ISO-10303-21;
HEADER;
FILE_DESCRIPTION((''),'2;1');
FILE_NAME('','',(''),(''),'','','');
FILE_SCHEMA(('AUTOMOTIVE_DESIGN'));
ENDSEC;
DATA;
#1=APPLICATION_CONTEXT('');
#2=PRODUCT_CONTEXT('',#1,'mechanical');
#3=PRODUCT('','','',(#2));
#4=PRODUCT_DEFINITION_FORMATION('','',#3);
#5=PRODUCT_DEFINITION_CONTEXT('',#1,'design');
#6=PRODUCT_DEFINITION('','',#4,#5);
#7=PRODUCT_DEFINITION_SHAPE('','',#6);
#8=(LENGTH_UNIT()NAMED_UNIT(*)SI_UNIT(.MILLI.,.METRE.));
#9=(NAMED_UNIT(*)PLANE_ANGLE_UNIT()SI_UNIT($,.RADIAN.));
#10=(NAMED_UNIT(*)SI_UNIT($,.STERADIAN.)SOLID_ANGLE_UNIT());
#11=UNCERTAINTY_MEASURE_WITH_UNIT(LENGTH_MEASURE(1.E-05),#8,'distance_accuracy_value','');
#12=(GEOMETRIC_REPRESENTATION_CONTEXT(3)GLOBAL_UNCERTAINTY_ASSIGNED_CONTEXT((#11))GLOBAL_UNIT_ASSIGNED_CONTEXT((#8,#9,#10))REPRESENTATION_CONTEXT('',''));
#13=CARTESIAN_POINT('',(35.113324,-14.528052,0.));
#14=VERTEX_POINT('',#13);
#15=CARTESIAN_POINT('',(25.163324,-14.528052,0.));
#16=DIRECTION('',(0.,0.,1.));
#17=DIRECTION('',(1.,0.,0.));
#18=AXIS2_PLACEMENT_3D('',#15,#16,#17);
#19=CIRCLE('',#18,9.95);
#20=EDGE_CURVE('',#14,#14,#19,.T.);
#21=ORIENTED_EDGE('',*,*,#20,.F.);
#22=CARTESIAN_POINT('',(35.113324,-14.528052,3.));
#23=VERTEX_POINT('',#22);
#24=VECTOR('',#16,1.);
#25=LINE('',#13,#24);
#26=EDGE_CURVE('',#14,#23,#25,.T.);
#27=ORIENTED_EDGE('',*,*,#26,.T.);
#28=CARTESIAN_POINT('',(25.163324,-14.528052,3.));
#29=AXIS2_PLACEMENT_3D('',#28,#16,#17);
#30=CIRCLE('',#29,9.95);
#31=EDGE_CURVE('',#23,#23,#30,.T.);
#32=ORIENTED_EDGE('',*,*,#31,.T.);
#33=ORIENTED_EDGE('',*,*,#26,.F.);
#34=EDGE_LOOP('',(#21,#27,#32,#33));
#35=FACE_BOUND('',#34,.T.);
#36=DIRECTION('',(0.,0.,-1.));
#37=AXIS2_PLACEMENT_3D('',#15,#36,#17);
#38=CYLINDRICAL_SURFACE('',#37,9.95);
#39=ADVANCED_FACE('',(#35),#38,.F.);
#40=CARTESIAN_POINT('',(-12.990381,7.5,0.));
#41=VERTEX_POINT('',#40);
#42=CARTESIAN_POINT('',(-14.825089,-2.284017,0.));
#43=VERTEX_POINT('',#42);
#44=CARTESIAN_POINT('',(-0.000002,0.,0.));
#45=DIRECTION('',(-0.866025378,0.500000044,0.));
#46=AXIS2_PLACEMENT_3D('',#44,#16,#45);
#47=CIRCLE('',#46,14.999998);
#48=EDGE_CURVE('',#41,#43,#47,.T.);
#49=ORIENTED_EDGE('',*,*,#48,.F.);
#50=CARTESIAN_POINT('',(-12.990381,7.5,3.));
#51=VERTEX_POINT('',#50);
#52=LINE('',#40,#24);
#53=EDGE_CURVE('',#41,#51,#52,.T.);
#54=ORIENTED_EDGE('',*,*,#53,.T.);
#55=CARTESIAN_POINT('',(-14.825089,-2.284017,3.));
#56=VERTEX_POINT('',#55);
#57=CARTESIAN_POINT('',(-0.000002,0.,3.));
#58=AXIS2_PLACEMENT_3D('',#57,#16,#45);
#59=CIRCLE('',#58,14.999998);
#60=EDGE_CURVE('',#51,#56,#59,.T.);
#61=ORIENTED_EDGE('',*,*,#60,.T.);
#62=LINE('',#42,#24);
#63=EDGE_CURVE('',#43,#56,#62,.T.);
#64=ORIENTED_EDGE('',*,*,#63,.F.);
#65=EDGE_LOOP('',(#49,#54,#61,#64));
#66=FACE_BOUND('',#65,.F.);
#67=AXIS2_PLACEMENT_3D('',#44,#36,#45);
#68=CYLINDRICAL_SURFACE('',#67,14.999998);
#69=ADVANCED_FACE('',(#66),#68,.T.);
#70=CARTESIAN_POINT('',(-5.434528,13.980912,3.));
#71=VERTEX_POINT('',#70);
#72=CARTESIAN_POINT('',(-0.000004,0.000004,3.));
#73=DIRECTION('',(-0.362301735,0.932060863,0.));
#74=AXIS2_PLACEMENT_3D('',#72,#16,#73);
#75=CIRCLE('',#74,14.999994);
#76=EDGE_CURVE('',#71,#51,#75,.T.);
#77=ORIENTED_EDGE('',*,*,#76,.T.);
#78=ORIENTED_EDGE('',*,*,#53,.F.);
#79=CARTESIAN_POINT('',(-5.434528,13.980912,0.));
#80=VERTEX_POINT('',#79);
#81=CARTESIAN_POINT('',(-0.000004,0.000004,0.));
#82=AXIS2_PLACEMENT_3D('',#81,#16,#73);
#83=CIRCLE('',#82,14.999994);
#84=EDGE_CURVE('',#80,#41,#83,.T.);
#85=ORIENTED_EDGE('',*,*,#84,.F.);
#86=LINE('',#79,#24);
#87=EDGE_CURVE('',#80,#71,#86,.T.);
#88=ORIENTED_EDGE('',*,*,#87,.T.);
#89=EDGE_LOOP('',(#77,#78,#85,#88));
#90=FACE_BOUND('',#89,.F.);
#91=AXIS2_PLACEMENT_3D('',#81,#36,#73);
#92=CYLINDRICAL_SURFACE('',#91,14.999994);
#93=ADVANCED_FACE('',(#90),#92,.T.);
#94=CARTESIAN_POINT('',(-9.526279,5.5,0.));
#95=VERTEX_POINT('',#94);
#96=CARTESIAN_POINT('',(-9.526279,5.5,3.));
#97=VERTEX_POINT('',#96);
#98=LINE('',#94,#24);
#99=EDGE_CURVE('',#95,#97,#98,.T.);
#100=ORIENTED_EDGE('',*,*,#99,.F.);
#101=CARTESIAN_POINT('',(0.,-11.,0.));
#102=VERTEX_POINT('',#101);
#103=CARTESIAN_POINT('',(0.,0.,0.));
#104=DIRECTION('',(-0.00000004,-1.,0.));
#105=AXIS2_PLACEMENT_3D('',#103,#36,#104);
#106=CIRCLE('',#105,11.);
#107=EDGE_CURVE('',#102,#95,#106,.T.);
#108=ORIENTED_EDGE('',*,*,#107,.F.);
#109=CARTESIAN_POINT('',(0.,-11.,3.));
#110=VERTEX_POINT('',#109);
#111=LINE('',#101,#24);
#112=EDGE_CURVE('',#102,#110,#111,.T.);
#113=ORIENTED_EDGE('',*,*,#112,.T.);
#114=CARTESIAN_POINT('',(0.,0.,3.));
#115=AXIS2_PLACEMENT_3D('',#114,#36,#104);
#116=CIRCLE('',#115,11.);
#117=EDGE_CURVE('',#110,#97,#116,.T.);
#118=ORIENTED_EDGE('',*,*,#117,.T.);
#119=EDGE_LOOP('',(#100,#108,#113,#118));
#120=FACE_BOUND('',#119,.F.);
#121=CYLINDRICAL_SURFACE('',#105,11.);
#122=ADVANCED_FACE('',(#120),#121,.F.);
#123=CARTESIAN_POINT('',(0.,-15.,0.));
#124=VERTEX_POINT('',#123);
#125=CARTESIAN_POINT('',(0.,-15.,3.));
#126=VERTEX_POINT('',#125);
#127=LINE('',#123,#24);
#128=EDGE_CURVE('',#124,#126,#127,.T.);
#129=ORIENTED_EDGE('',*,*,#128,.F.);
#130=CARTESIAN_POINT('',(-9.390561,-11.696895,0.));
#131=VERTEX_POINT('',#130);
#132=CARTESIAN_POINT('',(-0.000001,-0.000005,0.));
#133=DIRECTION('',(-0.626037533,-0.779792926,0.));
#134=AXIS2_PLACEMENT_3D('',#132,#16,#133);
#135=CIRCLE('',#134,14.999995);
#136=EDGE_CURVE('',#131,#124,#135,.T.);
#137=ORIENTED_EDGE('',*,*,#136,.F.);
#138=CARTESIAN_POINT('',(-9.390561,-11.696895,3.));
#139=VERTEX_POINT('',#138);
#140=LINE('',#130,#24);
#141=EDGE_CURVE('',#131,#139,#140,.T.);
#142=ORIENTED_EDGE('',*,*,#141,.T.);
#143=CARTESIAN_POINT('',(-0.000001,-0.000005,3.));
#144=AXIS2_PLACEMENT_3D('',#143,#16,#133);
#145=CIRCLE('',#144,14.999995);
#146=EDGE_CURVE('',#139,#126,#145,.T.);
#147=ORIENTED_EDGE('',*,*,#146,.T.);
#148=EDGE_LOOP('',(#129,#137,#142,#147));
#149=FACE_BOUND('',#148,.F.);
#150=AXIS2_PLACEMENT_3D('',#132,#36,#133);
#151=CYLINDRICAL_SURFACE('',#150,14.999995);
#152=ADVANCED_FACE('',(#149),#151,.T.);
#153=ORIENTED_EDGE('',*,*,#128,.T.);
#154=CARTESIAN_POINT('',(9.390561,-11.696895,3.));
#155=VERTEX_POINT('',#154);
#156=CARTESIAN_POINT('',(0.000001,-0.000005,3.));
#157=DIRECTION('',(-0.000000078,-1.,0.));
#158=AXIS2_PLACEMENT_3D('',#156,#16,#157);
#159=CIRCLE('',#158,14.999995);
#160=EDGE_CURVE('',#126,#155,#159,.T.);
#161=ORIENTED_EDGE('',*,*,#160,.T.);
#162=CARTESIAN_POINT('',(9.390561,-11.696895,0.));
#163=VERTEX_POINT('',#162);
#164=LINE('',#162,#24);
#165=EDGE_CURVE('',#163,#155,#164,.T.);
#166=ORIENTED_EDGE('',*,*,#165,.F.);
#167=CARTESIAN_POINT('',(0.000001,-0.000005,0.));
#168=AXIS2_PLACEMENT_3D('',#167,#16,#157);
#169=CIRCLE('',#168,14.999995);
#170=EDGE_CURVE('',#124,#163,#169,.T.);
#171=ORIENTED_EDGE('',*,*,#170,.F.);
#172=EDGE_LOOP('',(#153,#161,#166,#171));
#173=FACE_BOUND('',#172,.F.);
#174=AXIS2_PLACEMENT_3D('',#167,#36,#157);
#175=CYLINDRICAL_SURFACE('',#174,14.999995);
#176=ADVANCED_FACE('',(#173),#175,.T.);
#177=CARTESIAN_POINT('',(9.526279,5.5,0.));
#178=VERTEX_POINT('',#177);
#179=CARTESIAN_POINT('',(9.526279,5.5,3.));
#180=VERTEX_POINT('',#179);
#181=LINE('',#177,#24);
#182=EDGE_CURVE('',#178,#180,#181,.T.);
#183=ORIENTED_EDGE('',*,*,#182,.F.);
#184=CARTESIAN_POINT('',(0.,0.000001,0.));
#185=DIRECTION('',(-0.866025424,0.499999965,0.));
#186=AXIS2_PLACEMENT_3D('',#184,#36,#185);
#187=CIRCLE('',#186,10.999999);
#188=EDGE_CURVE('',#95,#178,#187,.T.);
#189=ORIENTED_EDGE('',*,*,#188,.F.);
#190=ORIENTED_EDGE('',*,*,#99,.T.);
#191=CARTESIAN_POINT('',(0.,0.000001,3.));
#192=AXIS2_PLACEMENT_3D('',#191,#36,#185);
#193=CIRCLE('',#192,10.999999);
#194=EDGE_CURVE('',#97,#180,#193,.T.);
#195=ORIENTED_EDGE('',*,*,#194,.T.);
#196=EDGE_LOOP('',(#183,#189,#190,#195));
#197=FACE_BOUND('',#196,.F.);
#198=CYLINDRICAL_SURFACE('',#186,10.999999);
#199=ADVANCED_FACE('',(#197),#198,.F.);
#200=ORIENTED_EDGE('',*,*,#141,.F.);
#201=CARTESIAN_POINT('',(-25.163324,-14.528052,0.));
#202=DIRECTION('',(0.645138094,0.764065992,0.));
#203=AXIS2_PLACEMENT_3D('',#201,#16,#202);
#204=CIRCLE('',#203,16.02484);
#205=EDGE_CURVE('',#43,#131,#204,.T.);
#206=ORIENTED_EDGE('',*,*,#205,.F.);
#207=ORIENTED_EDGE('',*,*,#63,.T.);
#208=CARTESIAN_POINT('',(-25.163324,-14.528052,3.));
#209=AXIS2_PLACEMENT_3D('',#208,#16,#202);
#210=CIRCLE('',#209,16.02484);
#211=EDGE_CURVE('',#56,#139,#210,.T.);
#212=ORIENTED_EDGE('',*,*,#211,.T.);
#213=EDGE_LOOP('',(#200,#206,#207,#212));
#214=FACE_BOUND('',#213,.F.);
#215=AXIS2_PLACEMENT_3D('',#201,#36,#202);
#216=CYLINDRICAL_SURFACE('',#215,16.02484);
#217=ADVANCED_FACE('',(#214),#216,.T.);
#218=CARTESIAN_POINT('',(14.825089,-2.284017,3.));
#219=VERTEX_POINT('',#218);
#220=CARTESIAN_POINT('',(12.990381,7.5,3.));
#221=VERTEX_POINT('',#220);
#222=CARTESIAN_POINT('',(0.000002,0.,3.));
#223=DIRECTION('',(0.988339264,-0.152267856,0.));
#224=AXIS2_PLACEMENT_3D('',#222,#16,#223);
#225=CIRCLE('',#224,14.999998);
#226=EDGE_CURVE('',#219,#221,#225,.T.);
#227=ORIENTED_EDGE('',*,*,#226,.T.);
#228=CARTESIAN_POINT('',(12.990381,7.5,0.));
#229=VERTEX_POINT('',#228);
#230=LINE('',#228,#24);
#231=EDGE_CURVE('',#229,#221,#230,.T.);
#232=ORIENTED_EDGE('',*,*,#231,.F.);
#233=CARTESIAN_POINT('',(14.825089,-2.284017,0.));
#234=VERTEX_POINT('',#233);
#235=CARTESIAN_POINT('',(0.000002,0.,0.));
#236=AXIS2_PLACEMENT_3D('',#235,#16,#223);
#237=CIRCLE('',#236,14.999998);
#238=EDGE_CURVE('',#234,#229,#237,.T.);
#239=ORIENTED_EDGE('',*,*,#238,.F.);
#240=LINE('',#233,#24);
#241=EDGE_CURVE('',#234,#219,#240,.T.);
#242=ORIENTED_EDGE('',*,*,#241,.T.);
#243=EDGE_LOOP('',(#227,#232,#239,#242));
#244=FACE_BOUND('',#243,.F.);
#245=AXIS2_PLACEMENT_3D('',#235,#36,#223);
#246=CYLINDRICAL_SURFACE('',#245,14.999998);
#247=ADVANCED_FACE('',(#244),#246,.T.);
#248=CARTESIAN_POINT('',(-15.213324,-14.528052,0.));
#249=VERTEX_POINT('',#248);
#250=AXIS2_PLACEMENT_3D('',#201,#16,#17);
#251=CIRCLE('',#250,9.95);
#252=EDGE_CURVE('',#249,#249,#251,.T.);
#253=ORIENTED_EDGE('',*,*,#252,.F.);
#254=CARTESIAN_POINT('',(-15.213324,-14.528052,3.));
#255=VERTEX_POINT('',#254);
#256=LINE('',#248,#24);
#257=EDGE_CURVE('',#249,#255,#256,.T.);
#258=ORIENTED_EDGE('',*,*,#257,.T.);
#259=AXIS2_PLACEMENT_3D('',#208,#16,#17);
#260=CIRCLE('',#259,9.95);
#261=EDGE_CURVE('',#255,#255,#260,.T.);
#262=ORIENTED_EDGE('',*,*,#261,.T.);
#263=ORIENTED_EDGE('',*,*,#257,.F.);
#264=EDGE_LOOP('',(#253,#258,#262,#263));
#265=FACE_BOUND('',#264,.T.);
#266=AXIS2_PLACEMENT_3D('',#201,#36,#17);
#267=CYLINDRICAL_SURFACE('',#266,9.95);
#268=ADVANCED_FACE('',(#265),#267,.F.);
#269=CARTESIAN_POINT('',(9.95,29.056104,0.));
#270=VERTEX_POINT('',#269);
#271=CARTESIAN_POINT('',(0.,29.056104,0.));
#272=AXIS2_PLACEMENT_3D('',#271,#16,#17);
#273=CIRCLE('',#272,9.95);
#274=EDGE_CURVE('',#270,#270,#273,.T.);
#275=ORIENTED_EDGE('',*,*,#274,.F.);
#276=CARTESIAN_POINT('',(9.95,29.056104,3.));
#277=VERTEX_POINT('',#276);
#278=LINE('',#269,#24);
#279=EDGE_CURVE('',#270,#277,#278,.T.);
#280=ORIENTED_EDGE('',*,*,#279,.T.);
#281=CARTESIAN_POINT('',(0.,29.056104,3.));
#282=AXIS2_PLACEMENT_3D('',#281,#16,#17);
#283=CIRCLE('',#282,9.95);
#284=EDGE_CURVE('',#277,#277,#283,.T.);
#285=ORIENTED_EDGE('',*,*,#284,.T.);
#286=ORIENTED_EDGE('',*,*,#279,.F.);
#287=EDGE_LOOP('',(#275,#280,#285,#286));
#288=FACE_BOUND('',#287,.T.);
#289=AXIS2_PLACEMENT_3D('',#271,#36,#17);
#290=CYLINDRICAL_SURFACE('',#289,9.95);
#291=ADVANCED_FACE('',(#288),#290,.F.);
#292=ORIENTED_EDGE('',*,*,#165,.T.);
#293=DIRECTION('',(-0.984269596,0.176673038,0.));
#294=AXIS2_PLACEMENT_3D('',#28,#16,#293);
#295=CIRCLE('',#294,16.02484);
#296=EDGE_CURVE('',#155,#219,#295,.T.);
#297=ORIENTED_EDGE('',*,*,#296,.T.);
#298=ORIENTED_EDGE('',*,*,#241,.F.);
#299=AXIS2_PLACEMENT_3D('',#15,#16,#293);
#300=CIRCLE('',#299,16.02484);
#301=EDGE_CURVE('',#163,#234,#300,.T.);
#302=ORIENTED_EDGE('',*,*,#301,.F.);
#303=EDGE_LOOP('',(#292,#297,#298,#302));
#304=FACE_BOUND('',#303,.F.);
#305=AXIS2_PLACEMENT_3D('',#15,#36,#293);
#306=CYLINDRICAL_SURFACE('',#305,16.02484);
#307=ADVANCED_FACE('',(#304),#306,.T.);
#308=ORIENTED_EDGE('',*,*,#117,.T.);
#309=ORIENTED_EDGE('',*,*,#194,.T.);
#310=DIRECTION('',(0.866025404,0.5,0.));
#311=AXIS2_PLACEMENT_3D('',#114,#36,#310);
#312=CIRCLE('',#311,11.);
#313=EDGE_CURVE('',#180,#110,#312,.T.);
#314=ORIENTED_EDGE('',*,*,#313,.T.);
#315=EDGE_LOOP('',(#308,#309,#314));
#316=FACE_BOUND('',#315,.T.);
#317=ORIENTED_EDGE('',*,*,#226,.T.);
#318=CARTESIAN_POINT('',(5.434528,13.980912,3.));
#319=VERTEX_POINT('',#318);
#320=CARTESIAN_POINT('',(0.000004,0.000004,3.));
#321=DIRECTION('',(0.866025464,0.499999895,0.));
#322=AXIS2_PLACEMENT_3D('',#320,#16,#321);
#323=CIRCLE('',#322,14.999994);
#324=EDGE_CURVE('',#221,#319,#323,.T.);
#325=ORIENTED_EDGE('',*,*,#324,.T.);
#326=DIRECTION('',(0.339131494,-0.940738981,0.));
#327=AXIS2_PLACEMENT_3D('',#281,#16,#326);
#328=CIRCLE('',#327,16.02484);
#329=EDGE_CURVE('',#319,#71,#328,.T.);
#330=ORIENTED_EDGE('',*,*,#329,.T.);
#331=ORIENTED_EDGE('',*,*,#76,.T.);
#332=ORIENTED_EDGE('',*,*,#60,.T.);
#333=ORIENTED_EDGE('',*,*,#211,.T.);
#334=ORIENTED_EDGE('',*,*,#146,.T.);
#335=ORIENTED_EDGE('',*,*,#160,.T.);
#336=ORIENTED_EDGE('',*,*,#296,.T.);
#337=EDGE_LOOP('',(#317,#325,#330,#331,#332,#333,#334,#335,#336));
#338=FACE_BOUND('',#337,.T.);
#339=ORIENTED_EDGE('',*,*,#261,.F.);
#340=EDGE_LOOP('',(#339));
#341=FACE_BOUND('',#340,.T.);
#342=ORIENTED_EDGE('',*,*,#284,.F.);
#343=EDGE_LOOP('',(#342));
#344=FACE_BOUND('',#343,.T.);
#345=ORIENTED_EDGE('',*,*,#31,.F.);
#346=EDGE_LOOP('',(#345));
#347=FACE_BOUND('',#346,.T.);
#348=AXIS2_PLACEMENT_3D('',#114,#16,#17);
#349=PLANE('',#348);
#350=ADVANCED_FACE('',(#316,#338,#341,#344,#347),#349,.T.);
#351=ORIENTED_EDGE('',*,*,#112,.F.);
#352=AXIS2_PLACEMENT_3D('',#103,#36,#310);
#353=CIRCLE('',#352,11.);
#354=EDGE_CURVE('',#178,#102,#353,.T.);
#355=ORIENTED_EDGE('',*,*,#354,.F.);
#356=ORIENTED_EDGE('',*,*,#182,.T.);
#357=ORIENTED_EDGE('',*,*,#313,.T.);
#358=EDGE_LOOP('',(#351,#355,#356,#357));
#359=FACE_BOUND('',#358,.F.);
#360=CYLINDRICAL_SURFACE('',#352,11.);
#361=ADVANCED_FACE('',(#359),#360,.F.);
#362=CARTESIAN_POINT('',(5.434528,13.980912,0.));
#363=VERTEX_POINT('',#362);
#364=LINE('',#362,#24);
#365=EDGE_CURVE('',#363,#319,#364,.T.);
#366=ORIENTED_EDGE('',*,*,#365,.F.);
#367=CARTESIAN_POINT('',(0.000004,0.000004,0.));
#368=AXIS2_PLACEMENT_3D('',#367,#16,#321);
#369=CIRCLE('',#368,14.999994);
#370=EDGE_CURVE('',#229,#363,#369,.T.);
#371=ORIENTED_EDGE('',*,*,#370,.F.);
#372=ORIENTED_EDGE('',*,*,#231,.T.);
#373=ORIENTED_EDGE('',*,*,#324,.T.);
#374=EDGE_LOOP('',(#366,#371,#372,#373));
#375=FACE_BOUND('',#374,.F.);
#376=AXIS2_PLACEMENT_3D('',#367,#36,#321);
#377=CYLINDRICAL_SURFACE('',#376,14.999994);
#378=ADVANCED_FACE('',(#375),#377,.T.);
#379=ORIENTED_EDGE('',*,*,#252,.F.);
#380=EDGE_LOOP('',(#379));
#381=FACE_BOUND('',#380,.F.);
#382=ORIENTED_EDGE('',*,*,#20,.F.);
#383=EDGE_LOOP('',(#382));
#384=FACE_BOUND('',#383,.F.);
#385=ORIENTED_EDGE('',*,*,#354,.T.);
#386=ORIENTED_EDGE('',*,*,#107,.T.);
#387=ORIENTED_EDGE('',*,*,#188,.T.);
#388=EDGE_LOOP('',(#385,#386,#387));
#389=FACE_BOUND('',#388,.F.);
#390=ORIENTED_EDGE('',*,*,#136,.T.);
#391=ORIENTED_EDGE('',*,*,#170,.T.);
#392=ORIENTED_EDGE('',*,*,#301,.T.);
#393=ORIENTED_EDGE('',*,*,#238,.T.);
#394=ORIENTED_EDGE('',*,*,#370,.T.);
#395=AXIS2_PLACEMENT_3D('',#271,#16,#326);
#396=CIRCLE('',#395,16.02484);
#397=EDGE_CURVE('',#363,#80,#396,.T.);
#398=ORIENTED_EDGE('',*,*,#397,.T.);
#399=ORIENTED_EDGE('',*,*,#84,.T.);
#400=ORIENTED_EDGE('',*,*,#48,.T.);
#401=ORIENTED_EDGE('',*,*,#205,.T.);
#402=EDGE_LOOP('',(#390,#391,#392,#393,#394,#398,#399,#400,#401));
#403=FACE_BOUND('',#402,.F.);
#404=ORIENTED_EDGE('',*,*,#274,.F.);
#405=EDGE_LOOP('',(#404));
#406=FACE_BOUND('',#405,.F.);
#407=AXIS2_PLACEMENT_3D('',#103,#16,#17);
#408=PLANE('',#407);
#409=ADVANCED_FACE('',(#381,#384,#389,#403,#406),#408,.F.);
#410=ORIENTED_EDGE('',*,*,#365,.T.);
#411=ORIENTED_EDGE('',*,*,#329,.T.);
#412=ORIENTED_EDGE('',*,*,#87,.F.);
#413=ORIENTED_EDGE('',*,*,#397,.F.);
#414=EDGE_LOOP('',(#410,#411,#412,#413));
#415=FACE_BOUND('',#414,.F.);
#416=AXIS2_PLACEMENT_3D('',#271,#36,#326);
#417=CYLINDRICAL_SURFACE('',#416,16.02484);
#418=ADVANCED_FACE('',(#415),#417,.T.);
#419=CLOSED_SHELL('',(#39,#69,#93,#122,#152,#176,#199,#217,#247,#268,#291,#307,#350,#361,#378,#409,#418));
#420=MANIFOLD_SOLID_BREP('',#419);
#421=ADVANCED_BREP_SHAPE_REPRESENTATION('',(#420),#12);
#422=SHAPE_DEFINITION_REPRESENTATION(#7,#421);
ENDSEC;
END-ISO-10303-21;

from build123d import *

# Parameters (mm, degrees)
F0_R     = 9.95
F1_DEPTH = 3


with BuildPart() as f1:
    # F0 (on Top) → F1 (new body)
    with BuildSketch(Plane.XY):
        with BuildLine():
            ThreePointArc((14.825089, -2.284017), (14.743027, 2.764626), (12.990381, 7.5))
            ThreePointArc((12.990381, 7.5), (9.76575, 11.385523), (5.434528, 13.980912))
            ThreePointArc((5.434528, 13.980912), (0, 45.080944), (-5.434528, 13.980912))
            ThreePointArc((-5.434528, 13.980912), (-9.76575, 11.385523), (-12.990381, 7.5))
            ThreePointArc((-12.990381, 7.5), (-14.743027, 2.764626), (-14.825089, -2.284017))
            ThreePointArc((-14.825089, -2.284017), (-39.041242, -22.540472), (-9.390561, -11.696895))
            ThreePointArc((-9.390561, -11.696895), (-4.977277, -14.150149), (0, -15))
            ThreePointArc((0, -15), (4.977277, -14.150149), (9.390561, -11.696895))
            ThreePointArc((9.390561, -11.696895), (39.041242, -22.540472), (14.825089, -2.284017))
        make_face()
        with Locations((-25.163324, -14.528052)):
            Circle(F0_R, mode=Mode.SUBTRACT)
        with BuildLine():
            ThreePointArc((-9.526279, 5.5), (0, 11), (9.526279, 5.5))
            ThreePointArc((9.526279, 5.5), (9.526279, -5.5), (0, -11))
            ThreePointArc((0, -11), (-9.526279, -5.5), (-9.526279, 5.5))
        make_face(mode=Mode.SUBTRACT)
        with Locations((25.163324, -14.528052)):
            Circle(F0_R, mode=Mode.SUBTRACT)
        with Locations((0, 29.056104)):
            Circle(F0_R, mode=Mode.SUBTRACT)
    extrude(amount=F1_DEPTH)


solid = f1.part
